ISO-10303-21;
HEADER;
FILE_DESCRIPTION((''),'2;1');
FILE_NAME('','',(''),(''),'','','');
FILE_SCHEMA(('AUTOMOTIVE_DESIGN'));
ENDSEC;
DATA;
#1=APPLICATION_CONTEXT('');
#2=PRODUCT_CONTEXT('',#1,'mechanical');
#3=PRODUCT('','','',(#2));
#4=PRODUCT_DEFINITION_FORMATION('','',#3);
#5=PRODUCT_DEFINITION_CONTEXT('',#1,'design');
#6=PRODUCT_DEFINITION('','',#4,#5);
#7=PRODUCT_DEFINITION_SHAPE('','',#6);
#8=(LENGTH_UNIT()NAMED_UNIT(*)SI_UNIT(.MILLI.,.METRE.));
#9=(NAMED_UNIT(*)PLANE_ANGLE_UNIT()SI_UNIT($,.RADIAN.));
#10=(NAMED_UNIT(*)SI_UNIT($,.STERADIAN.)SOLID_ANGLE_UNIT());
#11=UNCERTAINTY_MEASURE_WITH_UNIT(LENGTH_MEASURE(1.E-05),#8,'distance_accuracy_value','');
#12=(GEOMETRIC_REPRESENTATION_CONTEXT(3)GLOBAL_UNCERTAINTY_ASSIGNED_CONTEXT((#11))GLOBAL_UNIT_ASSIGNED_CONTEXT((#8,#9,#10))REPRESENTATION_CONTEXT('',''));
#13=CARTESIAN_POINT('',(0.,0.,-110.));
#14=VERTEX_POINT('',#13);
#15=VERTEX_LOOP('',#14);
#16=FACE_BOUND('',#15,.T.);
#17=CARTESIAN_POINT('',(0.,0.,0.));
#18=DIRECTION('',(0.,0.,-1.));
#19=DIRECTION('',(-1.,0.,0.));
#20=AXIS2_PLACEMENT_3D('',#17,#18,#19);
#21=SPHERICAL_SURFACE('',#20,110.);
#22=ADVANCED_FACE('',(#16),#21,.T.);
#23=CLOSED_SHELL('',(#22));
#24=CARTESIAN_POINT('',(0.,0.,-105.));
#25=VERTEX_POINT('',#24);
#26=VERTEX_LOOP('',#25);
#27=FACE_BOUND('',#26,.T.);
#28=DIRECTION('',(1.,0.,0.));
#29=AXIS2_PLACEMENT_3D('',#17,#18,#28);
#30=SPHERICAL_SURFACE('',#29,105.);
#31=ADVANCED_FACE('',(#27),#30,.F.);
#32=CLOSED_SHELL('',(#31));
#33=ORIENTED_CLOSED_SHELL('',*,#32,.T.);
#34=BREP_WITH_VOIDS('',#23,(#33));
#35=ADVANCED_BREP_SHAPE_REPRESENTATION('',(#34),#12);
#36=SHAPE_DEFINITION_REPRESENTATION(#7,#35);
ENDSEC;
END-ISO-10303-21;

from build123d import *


with BuildPart() as part:
    # Sketch1 → Revolve1 (revolve)
    with BuildSketch(Plane(origin=(0, 0, 0), x_dir=(1, 0, 0), z_dir=(0, 1, 0))):
        with BuildLine():
            Line((0, 110), (0, 105))
            ThreePointArc((0, 105), (105, 0), (0, -105))
            Line((0, -105), (0, -110))
            ThreePointArc((0, -110), (110, 0), (0, 110))
        make_face()
    revolve(axis=Axis((0, 0, -110), (0, 0, 1)))


solid = part.part
